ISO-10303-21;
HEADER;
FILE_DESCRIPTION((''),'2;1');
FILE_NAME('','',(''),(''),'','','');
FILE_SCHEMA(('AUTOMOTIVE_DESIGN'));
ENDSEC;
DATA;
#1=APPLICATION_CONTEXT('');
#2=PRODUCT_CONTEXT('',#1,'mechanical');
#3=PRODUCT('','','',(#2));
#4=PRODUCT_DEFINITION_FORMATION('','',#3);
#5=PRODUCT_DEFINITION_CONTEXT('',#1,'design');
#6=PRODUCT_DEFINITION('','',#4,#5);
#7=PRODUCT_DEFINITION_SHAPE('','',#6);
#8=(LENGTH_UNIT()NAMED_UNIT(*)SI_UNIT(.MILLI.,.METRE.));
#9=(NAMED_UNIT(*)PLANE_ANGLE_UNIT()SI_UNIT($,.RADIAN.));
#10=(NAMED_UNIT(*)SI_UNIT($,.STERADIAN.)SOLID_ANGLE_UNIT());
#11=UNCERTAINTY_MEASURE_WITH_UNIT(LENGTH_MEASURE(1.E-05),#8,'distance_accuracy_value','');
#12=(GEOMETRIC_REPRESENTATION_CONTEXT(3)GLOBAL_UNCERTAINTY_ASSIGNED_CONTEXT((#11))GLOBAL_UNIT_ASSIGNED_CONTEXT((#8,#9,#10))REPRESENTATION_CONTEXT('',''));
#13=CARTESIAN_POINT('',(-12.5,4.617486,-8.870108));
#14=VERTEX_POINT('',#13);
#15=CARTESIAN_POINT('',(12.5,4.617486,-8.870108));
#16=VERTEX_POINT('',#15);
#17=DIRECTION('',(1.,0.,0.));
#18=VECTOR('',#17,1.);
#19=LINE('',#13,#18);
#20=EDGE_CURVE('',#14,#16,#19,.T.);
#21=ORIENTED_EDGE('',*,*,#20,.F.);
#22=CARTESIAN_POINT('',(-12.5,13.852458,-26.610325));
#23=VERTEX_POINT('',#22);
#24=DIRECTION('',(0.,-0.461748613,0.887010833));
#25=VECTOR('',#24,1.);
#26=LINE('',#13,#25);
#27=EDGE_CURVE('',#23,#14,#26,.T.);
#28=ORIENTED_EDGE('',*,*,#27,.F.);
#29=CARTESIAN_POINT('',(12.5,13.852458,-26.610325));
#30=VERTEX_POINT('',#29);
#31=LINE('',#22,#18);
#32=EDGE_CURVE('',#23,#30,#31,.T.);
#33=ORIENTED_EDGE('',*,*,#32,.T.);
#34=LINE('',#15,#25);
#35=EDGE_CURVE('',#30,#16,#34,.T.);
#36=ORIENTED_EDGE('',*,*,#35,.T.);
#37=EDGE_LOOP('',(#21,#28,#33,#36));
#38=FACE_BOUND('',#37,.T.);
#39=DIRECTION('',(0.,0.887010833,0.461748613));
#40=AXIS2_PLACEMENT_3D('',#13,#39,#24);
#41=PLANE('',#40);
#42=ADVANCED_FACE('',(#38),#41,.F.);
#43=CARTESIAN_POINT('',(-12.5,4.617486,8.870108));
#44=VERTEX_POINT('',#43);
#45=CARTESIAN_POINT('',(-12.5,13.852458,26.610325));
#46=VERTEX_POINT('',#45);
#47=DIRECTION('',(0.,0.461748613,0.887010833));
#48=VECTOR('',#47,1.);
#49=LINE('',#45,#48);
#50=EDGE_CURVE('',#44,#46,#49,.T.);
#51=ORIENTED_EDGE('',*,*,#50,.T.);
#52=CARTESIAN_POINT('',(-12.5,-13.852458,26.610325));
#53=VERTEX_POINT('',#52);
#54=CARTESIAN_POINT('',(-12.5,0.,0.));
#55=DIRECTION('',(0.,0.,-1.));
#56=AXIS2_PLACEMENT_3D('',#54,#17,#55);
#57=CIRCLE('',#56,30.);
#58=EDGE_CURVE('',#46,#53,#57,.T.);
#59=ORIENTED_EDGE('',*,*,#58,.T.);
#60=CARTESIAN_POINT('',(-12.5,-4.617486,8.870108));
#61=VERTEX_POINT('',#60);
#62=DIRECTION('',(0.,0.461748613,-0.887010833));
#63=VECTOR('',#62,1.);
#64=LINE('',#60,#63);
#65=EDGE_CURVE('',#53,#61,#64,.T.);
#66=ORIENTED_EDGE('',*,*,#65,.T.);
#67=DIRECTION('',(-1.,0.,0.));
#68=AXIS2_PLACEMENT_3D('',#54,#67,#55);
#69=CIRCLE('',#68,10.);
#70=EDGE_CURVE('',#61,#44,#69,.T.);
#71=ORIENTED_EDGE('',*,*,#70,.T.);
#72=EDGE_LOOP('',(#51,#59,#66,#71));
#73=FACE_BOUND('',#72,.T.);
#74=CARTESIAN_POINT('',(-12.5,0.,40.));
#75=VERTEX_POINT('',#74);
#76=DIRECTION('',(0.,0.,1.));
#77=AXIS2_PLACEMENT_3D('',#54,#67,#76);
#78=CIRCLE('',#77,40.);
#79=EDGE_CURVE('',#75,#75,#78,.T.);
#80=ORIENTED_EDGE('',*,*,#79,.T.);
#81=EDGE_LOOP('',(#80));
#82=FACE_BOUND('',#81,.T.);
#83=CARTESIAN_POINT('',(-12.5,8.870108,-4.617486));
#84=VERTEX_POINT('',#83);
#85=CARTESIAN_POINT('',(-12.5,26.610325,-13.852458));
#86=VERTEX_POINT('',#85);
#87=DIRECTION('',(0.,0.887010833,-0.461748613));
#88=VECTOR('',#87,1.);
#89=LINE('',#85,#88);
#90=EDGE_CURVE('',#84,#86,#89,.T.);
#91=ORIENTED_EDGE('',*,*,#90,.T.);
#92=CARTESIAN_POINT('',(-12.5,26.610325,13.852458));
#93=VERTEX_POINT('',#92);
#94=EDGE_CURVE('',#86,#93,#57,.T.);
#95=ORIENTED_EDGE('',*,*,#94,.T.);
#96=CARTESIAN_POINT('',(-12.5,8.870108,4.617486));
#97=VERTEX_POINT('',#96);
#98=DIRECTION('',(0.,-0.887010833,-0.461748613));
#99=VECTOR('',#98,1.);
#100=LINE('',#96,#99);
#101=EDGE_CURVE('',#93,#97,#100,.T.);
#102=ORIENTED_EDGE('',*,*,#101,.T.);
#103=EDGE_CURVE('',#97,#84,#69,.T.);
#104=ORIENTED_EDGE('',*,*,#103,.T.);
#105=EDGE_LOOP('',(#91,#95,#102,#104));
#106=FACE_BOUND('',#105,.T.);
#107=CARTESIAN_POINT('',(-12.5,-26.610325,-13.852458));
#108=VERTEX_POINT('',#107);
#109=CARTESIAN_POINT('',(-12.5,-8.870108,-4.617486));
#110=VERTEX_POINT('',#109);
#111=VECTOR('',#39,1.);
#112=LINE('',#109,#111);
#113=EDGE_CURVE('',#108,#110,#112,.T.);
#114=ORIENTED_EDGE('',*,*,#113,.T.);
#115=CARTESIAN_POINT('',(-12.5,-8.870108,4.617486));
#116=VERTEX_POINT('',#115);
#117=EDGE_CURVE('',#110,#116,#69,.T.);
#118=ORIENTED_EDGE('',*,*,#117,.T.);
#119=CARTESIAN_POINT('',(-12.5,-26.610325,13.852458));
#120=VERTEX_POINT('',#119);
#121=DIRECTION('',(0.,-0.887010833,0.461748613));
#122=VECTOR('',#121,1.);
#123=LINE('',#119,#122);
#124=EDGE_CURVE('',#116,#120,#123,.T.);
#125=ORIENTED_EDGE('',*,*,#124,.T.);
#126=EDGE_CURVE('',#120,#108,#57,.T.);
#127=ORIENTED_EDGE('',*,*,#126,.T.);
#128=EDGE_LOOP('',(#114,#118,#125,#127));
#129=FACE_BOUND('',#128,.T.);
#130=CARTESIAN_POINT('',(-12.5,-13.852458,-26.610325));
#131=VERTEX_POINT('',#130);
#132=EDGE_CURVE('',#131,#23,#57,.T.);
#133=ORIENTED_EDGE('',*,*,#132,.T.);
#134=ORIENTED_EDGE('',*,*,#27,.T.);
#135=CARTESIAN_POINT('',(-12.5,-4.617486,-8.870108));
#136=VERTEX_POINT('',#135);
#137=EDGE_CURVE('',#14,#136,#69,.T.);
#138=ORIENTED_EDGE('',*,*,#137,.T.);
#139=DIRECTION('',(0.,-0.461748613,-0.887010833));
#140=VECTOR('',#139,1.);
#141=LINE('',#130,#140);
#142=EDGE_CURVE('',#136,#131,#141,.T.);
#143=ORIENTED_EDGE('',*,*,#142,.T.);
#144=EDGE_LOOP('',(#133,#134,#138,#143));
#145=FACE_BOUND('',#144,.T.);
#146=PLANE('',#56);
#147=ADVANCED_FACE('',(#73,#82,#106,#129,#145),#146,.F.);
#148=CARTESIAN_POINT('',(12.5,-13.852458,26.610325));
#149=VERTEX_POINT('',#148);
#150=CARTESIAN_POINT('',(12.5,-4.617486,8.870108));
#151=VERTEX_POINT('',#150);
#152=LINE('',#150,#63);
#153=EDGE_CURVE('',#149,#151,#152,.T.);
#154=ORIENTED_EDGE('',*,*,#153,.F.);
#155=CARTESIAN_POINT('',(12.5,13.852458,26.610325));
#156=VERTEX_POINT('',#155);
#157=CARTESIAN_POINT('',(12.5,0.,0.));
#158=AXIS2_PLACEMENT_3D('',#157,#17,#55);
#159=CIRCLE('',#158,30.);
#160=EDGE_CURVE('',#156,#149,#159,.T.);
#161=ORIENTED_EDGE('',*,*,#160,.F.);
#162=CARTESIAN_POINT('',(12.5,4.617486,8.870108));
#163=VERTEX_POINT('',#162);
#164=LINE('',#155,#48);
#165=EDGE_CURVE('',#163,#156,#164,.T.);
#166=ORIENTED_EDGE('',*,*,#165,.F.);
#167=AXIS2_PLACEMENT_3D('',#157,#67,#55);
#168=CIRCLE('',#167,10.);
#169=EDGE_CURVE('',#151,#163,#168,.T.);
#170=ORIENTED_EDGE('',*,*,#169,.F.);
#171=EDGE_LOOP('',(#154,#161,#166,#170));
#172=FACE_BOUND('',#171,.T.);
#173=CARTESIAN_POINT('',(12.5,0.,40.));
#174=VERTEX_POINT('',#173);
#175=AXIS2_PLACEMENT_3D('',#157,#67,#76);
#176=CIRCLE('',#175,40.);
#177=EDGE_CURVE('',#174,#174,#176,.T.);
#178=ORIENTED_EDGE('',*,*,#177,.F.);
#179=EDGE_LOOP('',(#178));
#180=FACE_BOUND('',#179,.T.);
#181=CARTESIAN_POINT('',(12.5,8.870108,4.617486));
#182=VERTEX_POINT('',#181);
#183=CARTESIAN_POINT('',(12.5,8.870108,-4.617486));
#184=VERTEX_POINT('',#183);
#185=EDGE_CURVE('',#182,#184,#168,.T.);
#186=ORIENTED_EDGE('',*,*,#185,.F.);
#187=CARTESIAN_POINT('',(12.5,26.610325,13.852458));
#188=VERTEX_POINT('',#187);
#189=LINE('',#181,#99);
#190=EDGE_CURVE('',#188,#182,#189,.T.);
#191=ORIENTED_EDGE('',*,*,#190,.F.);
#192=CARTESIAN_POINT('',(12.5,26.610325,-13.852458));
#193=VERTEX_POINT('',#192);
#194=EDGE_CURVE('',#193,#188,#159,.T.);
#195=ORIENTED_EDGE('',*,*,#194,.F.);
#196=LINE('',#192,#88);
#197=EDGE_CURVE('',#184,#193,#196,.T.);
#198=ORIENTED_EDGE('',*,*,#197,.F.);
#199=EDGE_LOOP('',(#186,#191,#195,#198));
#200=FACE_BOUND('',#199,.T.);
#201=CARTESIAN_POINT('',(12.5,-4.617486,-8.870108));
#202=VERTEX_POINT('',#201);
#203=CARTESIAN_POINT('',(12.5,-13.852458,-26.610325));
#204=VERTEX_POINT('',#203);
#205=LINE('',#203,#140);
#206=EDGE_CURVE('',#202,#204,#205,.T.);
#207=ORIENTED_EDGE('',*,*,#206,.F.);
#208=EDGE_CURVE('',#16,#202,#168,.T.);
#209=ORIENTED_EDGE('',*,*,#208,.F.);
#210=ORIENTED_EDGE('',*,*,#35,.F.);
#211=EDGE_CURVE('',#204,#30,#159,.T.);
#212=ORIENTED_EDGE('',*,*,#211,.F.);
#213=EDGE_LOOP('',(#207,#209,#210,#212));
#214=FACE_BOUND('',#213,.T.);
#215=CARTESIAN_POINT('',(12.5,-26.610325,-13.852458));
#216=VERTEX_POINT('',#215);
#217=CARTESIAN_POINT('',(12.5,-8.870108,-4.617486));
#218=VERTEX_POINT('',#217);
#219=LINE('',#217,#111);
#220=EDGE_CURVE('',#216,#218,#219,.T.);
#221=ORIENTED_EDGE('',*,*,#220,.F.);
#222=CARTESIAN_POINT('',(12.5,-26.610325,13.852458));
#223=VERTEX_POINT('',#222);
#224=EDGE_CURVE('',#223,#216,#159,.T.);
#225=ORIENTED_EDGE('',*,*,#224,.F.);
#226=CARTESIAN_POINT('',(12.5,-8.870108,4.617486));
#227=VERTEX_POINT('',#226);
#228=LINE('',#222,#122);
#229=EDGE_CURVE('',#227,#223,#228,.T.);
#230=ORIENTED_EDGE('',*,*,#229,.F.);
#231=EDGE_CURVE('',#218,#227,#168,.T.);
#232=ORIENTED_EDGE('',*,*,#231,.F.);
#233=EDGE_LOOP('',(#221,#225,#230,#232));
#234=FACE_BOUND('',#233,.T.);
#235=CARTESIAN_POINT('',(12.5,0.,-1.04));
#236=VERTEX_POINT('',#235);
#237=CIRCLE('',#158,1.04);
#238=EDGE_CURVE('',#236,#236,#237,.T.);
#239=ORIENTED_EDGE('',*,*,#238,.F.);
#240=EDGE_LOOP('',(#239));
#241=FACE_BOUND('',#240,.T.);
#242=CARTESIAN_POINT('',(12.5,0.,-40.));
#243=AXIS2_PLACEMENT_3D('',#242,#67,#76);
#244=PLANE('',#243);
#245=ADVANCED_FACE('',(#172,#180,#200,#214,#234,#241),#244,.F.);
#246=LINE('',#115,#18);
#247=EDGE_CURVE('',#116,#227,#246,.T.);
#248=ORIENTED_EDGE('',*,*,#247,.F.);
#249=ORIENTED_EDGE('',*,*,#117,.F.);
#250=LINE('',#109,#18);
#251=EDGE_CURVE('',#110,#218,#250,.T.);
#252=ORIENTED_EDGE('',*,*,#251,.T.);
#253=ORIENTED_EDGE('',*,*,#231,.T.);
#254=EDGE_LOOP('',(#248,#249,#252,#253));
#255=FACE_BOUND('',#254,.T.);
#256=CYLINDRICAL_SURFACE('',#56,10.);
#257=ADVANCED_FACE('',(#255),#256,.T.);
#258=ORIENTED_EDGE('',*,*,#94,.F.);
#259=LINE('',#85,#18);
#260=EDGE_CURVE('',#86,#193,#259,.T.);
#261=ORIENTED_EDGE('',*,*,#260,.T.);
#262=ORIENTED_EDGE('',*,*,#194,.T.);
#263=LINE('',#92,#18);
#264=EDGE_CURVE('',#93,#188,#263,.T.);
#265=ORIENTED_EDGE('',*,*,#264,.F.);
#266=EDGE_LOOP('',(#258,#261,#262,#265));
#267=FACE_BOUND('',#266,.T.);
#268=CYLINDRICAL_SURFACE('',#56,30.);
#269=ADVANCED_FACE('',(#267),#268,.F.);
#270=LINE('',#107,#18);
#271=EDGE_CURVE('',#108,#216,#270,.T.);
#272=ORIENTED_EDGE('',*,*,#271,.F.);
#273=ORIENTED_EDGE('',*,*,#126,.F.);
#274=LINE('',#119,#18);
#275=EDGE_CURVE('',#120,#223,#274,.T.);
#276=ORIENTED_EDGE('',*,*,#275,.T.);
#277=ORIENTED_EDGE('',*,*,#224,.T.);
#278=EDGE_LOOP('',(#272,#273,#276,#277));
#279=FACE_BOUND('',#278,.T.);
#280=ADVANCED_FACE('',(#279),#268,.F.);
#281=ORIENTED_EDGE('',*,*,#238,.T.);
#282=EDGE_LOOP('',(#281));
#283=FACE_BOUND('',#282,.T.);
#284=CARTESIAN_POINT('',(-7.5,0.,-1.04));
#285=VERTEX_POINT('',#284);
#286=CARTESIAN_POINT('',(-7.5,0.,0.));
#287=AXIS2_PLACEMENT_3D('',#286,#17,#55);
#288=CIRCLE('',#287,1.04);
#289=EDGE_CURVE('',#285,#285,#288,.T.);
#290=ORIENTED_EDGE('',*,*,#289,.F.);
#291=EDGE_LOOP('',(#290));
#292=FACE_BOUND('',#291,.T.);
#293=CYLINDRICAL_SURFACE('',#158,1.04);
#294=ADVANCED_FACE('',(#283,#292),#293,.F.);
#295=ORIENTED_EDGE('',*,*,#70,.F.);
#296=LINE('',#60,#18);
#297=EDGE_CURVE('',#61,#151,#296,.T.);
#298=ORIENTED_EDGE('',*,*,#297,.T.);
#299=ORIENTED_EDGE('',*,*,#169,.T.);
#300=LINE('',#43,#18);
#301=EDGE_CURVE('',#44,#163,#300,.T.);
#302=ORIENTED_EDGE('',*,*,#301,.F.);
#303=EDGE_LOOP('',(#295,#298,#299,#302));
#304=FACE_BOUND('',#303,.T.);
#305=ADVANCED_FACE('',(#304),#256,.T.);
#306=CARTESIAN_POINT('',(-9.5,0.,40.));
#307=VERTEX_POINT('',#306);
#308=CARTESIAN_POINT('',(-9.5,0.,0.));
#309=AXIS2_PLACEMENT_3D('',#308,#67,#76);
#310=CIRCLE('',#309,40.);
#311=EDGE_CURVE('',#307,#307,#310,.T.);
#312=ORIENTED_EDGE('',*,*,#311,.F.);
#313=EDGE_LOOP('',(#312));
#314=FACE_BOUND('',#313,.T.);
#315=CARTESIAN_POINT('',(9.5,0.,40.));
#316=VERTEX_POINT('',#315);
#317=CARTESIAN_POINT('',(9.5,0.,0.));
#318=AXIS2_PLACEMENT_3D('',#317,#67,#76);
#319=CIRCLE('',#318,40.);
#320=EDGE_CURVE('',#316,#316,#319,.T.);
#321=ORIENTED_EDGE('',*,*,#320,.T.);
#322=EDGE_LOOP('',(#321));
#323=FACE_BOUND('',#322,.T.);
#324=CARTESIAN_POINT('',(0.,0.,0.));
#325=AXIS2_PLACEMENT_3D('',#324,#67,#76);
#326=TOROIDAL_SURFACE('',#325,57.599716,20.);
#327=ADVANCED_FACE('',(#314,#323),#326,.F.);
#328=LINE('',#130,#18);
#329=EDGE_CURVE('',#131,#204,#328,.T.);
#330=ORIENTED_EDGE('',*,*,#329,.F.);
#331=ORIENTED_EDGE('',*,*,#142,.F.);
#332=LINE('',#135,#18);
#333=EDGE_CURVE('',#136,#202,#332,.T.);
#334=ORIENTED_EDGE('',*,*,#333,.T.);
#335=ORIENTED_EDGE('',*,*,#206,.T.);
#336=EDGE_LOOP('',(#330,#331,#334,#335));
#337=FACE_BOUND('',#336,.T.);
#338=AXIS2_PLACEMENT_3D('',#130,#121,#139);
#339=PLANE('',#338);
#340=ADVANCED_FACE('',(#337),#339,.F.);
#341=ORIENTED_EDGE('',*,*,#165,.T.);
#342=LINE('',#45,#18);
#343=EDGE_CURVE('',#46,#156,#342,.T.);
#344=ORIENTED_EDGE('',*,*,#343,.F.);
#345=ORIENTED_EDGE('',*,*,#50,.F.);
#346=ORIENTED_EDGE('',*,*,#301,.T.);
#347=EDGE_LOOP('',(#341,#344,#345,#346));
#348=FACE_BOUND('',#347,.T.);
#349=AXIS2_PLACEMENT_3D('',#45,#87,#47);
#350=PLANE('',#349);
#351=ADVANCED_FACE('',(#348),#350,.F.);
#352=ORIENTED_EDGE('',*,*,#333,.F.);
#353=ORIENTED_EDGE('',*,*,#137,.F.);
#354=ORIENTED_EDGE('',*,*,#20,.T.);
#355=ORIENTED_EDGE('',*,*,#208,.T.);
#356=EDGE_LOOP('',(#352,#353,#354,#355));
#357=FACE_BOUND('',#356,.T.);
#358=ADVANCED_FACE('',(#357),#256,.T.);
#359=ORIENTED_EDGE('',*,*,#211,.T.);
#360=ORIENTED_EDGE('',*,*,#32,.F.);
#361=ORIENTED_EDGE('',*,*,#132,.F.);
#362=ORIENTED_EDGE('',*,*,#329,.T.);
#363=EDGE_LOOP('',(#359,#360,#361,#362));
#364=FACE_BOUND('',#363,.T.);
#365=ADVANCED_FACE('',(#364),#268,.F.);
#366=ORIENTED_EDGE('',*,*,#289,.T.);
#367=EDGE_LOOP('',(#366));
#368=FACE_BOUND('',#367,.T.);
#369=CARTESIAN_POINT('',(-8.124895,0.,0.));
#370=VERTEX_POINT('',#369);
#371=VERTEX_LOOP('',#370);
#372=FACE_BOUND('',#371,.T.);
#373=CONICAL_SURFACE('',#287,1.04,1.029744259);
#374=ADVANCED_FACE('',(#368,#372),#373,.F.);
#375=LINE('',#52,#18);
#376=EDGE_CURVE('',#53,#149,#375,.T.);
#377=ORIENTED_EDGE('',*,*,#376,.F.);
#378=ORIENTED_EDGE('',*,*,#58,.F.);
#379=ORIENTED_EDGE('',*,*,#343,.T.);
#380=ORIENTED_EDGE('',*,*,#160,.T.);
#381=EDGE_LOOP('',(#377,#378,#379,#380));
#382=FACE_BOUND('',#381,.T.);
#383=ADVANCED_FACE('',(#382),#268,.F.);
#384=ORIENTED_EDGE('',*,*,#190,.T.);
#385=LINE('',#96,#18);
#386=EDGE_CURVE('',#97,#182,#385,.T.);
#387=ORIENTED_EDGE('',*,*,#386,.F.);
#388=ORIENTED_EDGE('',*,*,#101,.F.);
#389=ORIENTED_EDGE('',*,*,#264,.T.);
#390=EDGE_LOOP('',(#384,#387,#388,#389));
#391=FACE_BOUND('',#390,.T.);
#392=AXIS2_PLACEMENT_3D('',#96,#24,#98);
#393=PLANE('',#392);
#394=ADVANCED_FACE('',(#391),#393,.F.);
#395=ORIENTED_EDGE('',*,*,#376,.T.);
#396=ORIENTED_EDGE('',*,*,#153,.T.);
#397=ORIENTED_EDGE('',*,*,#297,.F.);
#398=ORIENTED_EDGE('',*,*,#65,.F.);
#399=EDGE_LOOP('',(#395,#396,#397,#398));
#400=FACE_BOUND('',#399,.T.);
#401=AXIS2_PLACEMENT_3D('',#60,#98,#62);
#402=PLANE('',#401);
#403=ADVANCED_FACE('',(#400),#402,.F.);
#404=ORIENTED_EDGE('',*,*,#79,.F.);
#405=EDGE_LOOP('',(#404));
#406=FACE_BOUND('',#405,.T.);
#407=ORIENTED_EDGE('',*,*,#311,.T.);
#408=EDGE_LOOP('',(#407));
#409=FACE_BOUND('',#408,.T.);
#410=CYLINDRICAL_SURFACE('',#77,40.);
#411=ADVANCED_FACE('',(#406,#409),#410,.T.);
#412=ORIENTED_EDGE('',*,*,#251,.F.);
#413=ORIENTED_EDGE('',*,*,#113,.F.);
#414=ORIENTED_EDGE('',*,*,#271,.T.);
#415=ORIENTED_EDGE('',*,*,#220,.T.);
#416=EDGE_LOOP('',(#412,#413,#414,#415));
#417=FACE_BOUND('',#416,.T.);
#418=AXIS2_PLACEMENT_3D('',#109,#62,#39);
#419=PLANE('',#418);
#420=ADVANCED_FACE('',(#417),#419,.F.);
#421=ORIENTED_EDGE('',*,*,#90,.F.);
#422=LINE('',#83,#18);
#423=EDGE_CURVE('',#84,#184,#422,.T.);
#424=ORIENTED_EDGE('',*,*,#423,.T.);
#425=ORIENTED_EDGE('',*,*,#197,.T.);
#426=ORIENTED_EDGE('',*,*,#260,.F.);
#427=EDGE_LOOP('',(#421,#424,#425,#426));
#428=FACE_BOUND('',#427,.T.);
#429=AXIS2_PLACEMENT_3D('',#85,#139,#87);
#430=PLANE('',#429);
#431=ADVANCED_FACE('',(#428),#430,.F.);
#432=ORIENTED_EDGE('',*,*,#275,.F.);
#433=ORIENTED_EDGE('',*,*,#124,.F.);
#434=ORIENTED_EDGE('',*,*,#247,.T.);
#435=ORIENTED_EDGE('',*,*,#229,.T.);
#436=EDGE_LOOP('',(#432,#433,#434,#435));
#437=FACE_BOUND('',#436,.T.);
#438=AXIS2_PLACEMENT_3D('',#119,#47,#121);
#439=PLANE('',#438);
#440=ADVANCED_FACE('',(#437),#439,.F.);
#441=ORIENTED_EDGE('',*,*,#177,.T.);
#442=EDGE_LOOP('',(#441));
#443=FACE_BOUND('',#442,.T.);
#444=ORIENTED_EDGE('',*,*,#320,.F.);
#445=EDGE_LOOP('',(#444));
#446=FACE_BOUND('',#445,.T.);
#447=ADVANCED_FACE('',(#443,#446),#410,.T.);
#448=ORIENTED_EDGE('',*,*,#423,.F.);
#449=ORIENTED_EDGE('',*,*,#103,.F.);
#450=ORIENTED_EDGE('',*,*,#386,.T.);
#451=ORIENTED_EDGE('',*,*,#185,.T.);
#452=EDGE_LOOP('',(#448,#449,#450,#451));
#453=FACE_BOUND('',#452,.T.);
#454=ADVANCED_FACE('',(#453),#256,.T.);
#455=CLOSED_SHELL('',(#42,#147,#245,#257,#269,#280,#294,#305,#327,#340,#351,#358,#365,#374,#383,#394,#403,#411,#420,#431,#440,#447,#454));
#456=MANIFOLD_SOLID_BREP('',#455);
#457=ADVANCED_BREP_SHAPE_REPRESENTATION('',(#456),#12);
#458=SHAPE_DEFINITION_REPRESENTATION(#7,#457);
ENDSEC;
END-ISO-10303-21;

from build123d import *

# Parameters (mm, degrees)
CUT_EXTRUDE1_DEPTH               = 62.846584384
F_2_05_2_08_DIAMETER_HOLE1_D     = 2.08
F_2_05_2_08_DIAMETER_HOLE1_DEPTH = 20
F_2_05_2_08_DIAMETER_HOLE1_TIP   = 0.624895044


with BuildPart() as part:
    # Sketch1 → Revolve1 (revolve)
    with BuildSketch(Plane(origin=(0, 0, 0), x_dir=(1, 0, 0), z_dir=(0, 1, 0)), mode=Mode.PRIVATE) as revolve1_sk:
        with BuildLine():
            Line((-12.5, 0), (12.5, 0))
            Line((12.5, 0), (12.5, 40))
            Line((12.5, 40), (9.5, 40))
            ThreePointArc((9.5, 40), (0, 37.599715907), (-9.5, 40))
            Line((-9.5, 40), (-12.5, 40))
            Line((-12.5, 40), (-12.5, 0))
        make_face()
    revolve(revolve1_sk.sketch.rotate(Axis((-12.5, 0, 0), (1, 0, 0)), 180), axis=Axis((-12.5, 0, 0), (1, 0, 0)))

    # Sketch2 → Cut-Extrude1 (cut, through all)
    with BuildSketch(Plane(origin=(12.5, 0, 0), x_dir=(0, 0, -1), z_dir=(1, 0, 0))):
        with BuildLine():
            Line((-4.617486132, 8.870108332), (-13.852458397, 26.610324995))
            ThreePointArc((-13.852458397, 26.610324995), (0, 30), (13.852458397, 26.610324995))
            Line((13.852458397, 26.610324995), (4.617486132, 8.870108332))
            ThreePointArc((4.617486132, 8.870108332), (0, 10), (-4.617486132, 8.870108332))
        make_face()
        with BuildLine():
            Line((26.610324995, -13.852458397), (8.870108332, -4.617486132))
            ThreePointArc((8.870108332, -4.617486132), (10, 0), (8.870108332, 4.617486132))
            Line((8.870108332, 4.617486132), (26.610324995, 13.852458397))
            ThreePointArc((26.610324995, 13.852458397), (30, 0), (26.610324995, -13.852458397))
        make_face()
        with BuildLine():
            Line((-13.852458397, -26.610324995), (-4.617486132, -8.870108332))
            ThreePointArc((-4.617486132, -8.870108332), (0, -10), (4.617486132, -8.870108332))
            Line((4.617486132, -8.870108332), (13.852458397, -26.610324995))
            ThreePointArc((13.852458397, -26.610324995), (0, -30), (-13.852458397, -26.610324995))
        make_face()
        with BuildLine():
            Line((-26.610324995, 13.852458397), (-8.870108332, 4.617486132))
            ThreePointArc((-8.870108332, 4.617486132), (-10, 0), (-8.870108332, -4.617486132))
            Line((-8.870108332, -4.617486132), (-26.610324995, -13.852458397))
            ThreePointArc((-26.610324995, -13.852458397), (-30, 0), (-26.610324995, 13.852458397))
        make_face()
    extrude(amount=-CUT_EXTRUDE1_DEPTH, mode=Mode.SUBTRACT)

    # Ø2.05 (2.08) Diameter Hole1
    with Locations(Plane(origin=(12.5, 0, 0), x_dir=(0, 0, -1), z_dir=(1, 0, 0))):
        with Locations((0, 0)):
            Hole(F_2_05_2_08_DIAMETER_HOLE1_D / 2, depth=F_2_05_2_08_DIAMETER_HOLE1_DEPTH)
            with Locations((0, 0, -(F_2_05_2_08_DIAMETER_HOLE1_DEPTH + F_2_05_2_08_DIAMETER_HOLE1_TIP / 2))):  # 118° drill point
                Cone(0, F_2_05_2_08_DIAMETER_HOLE1_D / 2, F_2_05_2_08_DIAMETER_HOLE1_TIP, mode=Mode.SUBTRACT)


solid = part.part
